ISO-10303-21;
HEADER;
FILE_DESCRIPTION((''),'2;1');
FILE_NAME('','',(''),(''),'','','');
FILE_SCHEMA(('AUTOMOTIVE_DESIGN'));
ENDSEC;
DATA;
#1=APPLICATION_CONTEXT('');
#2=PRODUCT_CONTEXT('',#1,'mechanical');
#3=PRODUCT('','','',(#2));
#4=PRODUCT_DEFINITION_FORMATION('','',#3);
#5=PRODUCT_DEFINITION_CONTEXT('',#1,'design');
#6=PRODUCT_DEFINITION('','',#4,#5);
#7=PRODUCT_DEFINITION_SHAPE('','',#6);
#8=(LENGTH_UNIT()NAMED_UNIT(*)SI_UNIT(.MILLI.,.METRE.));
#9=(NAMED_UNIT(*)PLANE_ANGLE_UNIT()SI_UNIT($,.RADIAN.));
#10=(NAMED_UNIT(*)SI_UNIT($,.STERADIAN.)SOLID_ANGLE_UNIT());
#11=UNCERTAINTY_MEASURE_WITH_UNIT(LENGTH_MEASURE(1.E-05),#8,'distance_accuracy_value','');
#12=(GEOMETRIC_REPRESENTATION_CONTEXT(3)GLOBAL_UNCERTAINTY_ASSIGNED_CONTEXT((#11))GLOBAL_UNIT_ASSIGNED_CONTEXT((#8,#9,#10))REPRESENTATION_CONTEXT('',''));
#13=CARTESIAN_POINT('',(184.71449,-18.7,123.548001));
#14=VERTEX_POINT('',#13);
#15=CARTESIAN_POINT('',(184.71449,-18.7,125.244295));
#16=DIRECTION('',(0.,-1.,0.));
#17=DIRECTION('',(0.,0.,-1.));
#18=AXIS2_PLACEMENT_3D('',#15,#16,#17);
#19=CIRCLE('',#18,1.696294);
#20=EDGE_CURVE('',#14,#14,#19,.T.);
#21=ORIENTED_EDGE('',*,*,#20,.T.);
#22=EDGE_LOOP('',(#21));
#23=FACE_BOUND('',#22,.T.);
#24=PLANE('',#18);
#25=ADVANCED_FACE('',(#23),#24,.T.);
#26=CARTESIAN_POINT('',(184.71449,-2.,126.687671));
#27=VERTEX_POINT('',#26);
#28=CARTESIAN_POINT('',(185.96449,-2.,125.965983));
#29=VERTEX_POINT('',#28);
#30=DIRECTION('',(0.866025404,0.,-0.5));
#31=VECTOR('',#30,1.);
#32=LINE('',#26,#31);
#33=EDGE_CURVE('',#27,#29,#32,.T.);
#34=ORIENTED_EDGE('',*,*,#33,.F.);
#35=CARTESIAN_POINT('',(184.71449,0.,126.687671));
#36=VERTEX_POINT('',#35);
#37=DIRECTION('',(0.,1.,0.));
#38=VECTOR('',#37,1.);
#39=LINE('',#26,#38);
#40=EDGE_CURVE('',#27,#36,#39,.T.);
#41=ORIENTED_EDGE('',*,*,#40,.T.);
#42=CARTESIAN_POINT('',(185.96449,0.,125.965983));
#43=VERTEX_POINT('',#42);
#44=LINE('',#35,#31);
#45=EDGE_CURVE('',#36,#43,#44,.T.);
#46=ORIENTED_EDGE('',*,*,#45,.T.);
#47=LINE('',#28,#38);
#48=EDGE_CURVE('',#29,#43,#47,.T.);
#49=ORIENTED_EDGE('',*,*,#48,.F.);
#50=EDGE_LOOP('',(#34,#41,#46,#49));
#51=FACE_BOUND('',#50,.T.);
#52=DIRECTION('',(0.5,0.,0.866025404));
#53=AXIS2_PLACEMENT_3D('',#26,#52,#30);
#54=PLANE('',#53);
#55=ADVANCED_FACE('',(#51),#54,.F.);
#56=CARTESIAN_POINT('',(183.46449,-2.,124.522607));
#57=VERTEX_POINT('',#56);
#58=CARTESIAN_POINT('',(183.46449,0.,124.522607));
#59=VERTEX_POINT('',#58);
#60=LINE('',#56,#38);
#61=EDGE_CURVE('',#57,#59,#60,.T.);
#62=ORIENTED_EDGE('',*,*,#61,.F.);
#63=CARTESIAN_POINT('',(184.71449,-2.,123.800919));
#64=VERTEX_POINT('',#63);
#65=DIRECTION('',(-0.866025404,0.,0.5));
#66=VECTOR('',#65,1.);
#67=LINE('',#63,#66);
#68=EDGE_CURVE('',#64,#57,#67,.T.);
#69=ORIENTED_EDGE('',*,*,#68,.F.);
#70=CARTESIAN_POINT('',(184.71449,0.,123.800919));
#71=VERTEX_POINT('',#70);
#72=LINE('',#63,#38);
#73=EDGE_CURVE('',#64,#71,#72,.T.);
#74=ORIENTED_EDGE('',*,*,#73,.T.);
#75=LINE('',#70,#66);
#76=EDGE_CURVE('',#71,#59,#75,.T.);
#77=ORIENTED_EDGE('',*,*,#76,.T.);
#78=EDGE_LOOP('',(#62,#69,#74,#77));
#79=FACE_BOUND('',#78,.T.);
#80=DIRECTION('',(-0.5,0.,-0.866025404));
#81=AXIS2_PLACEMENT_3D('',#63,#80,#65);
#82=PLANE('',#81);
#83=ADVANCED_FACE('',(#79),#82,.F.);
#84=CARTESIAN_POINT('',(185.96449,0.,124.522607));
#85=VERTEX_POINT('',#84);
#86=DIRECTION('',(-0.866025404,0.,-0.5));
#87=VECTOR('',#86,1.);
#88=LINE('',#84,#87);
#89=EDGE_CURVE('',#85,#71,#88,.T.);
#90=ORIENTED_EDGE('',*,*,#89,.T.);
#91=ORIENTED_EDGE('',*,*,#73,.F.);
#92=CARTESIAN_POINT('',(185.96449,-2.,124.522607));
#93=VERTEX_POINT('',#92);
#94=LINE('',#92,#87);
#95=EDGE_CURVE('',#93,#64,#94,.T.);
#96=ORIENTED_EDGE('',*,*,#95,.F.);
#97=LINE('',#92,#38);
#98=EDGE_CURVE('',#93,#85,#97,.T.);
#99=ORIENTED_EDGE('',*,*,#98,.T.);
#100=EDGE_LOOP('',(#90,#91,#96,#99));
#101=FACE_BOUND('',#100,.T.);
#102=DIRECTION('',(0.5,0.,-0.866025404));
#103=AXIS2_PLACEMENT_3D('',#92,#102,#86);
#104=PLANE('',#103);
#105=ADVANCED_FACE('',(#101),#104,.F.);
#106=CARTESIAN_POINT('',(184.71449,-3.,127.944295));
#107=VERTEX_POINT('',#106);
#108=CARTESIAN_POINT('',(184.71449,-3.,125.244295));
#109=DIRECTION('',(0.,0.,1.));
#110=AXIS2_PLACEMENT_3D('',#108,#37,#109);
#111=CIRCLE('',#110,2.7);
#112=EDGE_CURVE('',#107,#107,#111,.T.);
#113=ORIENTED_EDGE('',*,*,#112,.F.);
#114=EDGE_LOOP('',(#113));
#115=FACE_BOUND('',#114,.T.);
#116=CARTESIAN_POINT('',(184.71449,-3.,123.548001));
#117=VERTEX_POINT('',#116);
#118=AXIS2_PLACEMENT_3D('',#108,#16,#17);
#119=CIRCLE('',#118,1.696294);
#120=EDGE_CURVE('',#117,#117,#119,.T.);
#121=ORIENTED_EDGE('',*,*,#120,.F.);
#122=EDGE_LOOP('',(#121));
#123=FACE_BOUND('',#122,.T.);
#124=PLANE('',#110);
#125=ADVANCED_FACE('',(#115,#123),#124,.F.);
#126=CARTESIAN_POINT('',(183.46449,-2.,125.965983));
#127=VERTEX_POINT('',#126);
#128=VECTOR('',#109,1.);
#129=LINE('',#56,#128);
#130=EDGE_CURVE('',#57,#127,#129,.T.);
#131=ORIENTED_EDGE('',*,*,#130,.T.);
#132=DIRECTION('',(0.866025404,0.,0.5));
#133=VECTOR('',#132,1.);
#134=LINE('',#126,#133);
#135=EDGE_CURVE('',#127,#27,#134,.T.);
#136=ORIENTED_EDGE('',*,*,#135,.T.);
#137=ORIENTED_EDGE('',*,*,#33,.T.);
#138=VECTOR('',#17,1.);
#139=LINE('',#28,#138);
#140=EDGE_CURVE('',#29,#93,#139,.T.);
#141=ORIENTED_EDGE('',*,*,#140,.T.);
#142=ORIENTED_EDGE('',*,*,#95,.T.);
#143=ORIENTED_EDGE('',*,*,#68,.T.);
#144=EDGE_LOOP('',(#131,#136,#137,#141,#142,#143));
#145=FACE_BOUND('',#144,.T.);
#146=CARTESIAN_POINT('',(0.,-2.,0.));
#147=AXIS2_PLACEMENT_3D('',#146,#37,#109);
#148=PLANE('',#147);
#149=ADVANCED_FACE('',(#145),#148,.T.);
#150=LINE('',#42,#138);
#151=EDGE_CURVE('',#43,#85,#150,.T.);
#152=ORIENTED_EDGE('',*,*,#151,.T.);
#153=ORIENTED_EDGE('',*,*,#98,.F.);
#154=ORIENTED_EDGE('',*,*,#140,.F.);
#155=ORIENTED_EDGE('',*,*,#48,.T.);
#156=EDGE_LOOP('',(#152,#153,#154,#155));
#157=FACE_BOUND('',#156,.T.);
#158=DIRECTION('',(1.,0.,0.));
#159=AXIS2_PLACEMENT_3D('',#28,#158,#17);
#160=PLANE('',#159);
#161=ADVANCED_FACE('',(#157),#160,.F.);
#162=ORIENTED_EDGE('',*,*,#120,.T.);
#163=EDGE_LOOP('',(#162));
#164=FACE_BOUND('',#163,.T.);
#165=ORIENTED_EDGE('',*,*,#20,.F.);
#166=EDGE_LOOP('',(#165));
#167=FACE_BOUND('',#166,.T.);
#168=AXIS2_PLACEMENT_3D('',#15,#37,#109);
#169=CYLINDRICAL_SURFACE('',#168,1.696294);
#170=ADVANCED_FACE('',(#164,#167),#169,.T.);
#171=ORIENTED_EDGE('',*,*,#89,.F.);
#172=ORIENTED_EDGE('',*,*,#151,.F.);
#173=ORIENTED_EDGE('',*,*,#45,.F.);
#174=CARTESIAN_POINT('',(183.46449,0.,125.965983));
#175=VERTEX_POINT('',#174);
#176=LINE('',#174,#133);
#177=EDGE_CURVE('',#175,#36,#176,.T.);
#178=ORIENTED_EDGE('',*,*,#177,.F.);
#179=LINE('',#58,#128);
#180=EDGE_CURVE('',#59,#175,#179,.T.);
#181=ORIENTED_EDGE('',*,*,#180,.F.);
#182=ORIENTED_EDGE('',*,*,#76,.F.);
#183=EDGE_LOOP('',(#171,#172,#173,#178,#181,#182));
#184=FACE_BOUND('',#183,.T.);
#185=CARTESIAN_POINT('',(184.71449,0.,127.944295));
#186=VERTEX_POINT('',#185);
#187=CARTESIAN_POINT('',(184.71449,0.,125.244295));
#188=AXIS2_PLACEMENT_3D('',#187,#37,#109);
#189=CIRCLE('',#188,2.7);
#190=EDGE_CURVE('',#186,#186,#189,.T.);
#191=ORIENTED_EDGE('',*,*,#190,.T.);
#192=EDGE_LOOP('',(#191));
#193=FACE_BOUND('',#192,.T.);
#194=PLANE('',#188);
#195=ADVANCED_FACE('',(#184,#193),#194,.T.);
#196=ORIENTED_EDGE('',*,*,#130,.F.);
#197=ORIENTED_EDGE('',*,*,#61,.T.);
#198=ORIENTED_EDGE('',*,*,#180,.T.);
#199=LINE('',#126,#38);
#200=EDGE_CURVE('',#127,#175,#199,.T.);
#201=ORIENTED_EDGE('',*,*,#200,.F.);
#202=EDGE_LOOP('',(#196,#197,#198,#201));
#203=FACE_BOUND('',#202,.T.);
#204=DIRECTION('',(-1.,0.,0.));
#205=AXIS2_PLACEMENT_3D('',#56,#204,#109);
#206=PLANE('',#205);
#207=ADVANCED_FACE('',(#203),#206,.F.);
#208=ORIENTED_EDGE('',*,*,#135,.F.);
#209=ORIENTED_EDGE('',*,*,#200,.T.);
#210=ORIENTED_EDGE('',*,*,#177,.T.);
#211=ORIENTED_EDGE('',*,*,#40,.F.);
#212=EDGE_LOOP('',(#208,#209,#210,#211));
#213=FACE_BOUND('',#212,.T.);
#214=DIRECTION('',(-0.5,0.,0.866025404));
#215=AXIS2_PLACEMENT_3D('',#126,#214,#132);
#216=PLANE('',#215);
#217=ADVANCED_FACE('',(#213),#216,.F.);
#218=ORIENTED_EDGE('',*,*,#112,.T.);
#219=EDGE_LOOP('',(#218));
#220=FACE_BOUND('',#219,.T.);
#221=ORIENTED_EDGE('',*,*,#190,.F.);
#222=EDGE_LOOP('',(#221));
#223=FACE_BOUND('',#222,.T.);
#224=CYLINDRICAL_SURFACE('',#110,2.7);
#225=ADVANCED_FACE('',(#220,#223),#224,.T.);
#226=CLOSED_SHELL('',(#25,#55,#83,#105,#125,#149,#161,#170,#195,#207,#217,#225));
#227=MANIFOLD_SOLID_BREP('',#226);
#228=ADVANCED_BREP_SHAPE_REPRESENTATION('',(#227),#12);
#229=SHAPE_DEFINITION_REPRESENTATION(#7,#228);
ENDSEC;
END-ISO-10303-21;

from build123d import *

# Parameters (mm, degrees)
SKETCH1_R           = 2.7
BOSS_EXTRUDE1_DEPTH = 3
SKETCH2_R           = 1.696293742
BOSS_EXTRUDE2_DEPTH = 15.7
CUT_EXTRUDE1_DEPTH  = 2


with BuildPart() as part:
    # Sketch1 → Boss-Extrude1 (new body)
    with BuildSketch(Plane(origin=(0, 0, 0), x_dir=(1, 0, 0), z_dir=(0, 1, 0))):
        with Locations((184.714490272, -125.24429514)):
            Circle(SKETCH1_R)
    extrude(amount=-BOSS_EXTRUDE1_DEPTH)

    # Sketch2 → Boss-Extrude2 (add)
    with BuildSketch(Plane.XZ.offset(3)):
        with Locations((184.714490272, 125.24429514)):
            Circle(SKETCH2_R)
    extrude(amount=BOSS_EXTRUDE2_DEPTH)

    # Sketch3 → Cut-Extrude1 (cut)
    with BuildSketch(Plane(origin=(0, 0, 0), x_dir=(1, 0, 0), z_dir=(0, 1, 0))):
        Polygon((184.714490272, -123.800919467), (183.464490272, -124.522607304), (183.464490272, -125.965982977), (184.714490272, -126.687670813), (185.964490272, -125.965982977), (185.964490272, -124.522607304), align=None)
    extrude(amount=-CUT_EXTRUDE1_DEPTH, mode=Mode.SUBTRACT)


solid = part.part
